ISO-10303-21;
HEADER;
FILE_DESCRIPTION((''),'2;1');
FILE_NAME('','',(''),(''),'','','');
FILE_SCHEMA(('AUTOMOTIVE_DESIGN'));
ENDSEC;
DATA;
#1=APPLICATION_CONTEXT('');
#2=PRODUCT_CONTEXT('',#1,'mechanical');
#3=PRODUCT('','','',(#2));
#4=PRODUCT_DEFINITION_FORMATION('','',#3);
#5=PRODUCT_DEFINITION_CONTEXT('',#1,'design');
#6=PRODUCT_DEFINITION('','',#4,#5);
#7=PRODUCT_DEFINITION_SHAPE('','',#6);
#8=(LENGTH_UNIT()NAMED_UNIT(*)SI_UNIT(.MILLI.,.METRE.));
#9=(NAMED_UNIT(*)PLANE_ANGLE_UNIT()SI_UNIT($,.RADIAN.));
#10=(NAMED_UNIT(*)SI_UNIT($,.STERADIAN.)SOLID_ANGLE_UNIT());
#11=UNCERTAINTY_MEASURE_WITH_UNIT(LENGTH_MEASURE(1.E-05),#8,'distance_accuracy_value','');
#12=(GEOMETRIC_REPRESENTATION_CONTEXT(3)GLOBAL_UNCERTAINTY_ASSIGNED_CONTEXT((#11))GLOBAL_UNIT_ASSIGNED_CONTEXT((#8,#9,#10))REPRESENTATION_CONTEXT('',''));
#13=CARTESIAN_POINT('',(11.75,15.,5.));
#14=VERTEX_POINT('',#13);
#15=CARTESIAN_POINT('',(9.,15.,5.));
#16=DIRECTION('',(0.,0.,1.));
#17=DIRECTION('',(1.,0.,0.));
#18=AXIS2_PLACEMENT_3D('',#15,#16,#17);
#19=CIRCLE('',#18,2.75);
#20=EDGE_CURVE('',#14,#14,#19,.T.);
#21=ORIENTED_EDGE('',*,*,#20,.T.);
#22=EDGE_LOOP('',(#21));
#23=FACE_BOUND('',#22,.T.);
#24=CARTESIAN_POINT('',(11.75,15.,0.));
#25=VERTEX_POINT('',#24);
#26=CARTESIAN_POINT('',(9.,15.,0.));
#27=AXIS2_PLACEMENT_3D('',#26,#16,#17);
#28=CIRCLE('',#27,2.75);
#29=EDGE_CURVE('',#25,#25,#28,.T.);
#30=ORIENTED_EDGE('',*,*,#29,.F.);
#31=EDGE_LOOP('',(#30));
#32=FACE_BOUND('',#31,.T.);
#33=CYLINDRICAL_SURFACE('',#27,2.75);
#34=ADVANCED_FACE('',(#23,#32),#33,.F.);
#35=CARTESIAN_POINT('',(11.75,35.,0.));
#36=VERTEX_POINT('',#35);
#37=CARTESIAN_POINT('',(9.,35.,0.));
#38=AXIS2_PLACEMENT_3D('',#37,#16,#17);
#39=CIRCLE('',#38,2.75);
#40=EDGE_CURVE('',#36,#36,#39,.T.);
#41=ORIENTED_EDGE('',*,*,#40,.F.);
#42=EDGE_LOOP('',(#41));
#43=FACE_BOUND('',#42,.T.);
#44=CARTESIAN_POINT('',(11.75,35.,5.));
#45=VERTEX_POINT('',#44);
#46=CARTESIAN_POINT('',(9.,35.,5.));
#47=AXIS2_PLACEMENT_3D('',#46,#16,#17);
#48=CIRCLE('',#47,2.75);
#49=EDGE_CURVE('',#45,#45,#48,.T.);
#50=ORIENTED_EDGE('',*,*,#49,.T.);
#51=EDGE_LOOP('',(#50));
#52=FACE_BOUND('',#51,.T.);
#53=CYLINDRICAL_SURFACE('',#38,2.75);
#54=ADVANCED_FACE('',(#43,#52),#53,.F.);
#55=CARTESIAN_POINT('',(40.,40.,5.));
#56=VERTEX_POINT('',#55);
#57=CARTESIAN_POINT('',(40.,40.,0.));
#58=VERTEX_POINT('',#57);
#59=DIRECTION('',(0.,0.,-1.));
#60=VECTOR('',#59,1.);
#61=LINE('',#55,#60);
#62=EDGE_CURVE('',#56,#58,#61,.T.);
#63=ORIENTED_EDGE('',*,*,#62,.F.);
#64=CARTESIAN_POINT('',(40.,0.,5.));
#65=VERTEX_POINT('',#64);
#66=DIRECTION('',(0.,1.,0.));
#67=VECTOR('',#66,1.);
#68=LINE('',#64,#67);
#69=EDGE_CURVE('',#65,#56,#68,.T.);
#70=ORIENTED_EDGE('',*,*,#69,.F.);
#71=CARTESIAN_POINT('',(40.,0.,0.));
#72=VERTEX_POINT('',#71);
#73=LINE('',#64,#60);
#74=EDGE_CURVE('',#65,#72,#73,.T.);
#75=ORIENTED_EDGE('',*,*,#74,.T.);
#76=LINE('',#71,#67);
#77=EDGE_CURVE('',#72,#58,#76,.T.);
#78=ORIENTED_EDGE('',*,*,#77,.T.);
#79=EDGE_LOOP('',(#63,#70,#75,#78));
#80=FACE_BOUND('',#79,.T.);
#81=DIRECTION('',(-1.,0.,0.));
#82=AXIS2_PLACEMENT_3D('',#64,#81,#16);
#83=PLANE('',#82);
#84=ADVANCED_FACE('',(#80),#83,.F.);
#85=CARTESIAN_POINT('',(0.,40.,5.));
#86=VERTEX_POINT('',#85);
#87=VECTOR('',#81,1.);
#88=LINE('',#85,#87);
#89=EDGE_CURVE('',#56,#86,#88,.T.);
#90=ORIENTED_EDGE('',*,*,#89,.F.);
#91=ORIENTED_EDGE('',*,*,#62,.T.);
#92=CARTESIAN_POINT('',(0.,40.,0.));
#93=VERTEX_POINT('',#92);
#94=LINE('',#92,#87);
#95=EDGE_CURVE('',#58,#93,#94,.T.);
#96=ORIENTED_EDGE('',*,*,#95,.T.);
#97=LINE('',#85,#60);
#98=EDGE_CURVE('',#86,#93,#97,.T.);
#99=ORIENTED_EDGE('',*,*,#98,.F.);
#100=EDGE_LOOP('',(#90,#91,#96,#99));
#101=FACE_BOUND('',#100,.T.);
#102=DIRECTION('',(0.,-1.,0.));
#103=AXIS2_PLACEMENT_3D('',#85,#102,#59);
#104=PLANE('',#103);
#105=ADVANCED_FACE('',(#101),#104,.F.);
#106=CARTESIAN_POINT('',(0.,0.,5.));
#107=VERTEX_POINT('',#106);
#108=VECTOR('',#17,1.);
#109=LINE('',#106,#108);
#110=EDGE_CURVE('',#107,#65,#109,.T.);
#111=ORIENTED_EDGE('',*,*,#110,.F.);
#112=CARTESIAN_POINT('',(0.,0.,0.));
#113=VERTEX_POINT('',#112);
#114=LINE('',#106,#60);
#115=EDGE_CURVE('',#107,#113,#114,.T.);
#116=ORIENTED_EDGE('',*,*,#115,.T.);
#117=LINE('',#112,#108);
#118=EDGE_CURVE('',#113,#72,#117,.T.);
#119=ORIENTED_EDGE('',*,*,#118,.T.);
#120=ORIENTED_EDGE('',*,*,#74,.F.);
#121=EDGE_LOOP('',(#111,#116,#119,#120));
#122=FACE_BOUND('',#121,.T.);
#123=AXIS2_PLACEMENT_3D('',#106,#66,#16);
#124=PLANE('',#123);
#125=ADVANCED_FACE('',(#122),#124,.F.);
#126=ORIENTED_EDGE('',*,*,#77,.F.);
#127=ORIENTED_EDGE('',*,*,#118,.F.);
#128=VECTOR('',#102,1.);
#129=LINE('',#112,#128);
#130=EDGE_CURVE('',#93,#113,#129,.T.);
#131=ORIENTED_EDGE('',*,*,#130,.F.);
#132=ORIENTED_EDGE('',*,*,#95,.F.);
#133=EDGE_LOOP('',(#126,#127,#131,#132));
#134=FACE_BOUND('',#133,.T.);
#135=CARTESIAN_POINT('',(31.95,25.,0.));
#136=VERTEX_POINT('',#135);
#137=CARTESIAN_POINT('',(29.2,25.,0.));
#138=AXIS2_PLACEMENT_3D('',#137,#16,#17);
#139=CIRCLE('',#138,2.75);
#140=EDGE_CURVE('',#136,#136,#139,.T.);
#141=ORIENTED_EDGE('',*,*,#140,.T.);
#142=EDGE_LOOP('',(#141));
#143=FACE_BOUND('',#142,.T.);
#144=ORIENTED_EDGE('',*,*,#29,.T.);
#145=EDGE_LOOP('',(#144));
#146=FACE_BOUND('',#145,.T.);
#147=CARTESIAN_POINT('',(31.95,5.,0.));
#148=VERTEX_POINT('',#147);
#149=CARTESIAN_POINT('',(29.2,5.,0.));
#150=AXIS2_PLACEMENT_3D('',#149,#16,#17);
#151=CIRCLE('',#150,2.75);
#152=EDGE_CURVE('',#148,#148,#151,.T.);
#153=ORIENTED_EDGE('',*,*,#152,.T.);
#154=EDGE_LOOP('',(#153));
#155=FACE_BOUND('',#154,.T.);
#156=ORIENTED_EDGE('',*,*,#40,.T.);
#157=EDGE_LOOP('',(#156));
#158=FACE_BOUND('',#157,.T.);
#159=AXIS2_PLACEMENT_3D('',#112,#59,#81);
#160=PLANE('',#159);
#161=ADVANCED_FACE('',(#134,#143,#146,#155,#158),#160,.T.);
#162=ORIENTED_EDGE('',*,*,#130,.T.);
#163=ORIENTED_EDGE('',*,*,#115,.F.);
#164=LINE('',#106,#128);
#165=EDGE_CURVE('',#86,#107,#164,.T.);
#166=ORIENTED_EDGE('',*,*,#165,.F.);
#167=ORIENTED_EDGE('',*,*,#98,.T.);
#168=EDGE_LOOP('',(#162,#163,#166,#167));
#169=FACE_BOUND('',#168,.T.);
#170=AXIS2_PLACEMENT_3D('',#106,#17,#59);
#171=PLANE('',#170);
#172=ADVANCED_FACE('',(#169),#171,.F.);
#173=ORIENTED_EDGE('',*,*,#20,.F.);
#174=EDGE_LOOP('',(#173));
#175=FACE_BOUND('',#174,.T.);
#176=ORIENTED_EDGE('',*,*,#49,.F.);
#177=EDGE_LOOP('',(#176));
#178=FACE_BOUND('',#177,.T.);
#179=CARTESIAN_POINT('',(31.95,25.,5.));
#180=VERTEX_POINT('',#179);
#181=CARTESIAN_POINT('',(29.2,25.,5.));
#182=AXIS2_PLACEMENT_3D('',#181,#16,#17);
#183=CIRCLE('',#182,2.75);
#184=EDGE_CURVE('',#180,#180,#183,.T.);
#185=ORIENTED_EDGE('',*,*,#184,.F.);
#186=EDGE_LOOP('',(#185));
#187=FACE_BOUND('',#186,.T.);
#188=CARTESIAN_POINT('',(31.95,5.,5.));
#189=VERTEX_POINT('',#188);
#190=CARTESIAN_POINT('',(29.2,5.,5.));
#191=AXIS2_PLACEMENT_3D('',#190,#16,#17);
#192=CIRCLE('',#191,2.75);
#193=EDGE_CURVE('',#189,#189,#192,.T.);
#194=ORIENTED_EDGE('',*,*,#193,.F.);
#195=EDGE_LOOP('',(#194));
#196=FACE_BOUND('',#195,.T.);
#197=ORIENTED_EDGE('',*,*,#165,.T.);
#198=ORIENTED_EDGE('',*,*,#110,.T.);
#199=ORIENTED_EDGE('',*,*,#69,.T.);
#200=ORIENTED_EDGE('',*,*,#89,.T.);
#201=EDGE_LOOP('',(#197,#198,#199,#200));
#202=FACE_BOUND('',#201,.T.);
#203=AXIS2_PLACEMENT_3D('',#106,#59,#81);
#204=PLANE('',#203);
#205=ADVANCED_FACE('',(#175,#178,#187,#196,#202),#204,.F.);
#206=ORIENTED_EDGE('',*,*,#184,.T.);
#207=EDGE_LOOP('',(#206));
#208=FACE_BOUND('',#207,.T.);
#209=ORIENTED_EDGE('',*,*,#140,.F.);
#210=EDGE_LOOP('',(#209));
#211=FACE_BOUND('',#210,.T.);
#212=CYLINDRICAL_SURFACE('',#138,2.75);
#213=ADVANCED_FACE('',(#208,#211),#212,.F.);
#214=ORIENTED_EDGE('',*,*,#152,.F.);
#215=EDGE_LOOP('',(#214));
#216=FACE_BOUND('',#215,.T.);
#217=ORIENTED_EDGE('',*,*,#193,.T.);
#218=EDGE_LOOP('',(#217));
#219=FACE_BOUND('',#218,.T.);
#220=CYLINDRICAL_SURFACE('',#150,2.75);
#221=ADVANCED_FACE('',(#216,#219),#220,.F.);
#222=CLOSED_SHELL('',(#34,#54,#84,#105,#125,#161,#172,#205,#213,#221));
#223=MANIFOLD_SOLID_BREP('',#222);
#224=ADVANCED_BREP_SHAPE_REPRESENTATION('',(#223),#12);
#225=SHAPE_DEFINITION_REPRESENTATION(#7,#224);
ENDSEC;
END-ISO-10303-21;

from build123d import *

# Parameters (mm, degrees)
SKETCH_1_W          = 40
SKETCH_1_H          = 40
EXTRUDE_1_DEPTH     = 5
SKETCH_2_R          = 2.75
CUT_EXTRUDE_1_DEPTH = 57.789083458


with BuildPart() as part:
    # Эскиз1 → Бобышка-Вытянуть1 (new body)
    with BuildSketch(Plane.XY):
        with Locations((20, 20)):
            Rectangle(SKETCH_1_W, SKETCH_1_H)
    extrude(amount=EXTRUDE_1_DEPTH)

    # Эскиз2 → Вырез-Вытянуть1 (cut, through all)
    with BuildSketch(Plane.XY.offset(5)):
        with Locations((9, 35)):
            Circle(SKETCH_2_R)
        with Locations((9, 15)):
            Circle(SKETCH_2_R)
        with Locations((29.2, 5)):
            Circle(SKETCH_2_R)
        with Locations((29.2, 25)):
            Circle(SKETCH_2_R)
    extrude(amount=-CUT_EXTRUDE_1_DEPTH, mode=Mode.SUBTRACT)


solid = part.part
